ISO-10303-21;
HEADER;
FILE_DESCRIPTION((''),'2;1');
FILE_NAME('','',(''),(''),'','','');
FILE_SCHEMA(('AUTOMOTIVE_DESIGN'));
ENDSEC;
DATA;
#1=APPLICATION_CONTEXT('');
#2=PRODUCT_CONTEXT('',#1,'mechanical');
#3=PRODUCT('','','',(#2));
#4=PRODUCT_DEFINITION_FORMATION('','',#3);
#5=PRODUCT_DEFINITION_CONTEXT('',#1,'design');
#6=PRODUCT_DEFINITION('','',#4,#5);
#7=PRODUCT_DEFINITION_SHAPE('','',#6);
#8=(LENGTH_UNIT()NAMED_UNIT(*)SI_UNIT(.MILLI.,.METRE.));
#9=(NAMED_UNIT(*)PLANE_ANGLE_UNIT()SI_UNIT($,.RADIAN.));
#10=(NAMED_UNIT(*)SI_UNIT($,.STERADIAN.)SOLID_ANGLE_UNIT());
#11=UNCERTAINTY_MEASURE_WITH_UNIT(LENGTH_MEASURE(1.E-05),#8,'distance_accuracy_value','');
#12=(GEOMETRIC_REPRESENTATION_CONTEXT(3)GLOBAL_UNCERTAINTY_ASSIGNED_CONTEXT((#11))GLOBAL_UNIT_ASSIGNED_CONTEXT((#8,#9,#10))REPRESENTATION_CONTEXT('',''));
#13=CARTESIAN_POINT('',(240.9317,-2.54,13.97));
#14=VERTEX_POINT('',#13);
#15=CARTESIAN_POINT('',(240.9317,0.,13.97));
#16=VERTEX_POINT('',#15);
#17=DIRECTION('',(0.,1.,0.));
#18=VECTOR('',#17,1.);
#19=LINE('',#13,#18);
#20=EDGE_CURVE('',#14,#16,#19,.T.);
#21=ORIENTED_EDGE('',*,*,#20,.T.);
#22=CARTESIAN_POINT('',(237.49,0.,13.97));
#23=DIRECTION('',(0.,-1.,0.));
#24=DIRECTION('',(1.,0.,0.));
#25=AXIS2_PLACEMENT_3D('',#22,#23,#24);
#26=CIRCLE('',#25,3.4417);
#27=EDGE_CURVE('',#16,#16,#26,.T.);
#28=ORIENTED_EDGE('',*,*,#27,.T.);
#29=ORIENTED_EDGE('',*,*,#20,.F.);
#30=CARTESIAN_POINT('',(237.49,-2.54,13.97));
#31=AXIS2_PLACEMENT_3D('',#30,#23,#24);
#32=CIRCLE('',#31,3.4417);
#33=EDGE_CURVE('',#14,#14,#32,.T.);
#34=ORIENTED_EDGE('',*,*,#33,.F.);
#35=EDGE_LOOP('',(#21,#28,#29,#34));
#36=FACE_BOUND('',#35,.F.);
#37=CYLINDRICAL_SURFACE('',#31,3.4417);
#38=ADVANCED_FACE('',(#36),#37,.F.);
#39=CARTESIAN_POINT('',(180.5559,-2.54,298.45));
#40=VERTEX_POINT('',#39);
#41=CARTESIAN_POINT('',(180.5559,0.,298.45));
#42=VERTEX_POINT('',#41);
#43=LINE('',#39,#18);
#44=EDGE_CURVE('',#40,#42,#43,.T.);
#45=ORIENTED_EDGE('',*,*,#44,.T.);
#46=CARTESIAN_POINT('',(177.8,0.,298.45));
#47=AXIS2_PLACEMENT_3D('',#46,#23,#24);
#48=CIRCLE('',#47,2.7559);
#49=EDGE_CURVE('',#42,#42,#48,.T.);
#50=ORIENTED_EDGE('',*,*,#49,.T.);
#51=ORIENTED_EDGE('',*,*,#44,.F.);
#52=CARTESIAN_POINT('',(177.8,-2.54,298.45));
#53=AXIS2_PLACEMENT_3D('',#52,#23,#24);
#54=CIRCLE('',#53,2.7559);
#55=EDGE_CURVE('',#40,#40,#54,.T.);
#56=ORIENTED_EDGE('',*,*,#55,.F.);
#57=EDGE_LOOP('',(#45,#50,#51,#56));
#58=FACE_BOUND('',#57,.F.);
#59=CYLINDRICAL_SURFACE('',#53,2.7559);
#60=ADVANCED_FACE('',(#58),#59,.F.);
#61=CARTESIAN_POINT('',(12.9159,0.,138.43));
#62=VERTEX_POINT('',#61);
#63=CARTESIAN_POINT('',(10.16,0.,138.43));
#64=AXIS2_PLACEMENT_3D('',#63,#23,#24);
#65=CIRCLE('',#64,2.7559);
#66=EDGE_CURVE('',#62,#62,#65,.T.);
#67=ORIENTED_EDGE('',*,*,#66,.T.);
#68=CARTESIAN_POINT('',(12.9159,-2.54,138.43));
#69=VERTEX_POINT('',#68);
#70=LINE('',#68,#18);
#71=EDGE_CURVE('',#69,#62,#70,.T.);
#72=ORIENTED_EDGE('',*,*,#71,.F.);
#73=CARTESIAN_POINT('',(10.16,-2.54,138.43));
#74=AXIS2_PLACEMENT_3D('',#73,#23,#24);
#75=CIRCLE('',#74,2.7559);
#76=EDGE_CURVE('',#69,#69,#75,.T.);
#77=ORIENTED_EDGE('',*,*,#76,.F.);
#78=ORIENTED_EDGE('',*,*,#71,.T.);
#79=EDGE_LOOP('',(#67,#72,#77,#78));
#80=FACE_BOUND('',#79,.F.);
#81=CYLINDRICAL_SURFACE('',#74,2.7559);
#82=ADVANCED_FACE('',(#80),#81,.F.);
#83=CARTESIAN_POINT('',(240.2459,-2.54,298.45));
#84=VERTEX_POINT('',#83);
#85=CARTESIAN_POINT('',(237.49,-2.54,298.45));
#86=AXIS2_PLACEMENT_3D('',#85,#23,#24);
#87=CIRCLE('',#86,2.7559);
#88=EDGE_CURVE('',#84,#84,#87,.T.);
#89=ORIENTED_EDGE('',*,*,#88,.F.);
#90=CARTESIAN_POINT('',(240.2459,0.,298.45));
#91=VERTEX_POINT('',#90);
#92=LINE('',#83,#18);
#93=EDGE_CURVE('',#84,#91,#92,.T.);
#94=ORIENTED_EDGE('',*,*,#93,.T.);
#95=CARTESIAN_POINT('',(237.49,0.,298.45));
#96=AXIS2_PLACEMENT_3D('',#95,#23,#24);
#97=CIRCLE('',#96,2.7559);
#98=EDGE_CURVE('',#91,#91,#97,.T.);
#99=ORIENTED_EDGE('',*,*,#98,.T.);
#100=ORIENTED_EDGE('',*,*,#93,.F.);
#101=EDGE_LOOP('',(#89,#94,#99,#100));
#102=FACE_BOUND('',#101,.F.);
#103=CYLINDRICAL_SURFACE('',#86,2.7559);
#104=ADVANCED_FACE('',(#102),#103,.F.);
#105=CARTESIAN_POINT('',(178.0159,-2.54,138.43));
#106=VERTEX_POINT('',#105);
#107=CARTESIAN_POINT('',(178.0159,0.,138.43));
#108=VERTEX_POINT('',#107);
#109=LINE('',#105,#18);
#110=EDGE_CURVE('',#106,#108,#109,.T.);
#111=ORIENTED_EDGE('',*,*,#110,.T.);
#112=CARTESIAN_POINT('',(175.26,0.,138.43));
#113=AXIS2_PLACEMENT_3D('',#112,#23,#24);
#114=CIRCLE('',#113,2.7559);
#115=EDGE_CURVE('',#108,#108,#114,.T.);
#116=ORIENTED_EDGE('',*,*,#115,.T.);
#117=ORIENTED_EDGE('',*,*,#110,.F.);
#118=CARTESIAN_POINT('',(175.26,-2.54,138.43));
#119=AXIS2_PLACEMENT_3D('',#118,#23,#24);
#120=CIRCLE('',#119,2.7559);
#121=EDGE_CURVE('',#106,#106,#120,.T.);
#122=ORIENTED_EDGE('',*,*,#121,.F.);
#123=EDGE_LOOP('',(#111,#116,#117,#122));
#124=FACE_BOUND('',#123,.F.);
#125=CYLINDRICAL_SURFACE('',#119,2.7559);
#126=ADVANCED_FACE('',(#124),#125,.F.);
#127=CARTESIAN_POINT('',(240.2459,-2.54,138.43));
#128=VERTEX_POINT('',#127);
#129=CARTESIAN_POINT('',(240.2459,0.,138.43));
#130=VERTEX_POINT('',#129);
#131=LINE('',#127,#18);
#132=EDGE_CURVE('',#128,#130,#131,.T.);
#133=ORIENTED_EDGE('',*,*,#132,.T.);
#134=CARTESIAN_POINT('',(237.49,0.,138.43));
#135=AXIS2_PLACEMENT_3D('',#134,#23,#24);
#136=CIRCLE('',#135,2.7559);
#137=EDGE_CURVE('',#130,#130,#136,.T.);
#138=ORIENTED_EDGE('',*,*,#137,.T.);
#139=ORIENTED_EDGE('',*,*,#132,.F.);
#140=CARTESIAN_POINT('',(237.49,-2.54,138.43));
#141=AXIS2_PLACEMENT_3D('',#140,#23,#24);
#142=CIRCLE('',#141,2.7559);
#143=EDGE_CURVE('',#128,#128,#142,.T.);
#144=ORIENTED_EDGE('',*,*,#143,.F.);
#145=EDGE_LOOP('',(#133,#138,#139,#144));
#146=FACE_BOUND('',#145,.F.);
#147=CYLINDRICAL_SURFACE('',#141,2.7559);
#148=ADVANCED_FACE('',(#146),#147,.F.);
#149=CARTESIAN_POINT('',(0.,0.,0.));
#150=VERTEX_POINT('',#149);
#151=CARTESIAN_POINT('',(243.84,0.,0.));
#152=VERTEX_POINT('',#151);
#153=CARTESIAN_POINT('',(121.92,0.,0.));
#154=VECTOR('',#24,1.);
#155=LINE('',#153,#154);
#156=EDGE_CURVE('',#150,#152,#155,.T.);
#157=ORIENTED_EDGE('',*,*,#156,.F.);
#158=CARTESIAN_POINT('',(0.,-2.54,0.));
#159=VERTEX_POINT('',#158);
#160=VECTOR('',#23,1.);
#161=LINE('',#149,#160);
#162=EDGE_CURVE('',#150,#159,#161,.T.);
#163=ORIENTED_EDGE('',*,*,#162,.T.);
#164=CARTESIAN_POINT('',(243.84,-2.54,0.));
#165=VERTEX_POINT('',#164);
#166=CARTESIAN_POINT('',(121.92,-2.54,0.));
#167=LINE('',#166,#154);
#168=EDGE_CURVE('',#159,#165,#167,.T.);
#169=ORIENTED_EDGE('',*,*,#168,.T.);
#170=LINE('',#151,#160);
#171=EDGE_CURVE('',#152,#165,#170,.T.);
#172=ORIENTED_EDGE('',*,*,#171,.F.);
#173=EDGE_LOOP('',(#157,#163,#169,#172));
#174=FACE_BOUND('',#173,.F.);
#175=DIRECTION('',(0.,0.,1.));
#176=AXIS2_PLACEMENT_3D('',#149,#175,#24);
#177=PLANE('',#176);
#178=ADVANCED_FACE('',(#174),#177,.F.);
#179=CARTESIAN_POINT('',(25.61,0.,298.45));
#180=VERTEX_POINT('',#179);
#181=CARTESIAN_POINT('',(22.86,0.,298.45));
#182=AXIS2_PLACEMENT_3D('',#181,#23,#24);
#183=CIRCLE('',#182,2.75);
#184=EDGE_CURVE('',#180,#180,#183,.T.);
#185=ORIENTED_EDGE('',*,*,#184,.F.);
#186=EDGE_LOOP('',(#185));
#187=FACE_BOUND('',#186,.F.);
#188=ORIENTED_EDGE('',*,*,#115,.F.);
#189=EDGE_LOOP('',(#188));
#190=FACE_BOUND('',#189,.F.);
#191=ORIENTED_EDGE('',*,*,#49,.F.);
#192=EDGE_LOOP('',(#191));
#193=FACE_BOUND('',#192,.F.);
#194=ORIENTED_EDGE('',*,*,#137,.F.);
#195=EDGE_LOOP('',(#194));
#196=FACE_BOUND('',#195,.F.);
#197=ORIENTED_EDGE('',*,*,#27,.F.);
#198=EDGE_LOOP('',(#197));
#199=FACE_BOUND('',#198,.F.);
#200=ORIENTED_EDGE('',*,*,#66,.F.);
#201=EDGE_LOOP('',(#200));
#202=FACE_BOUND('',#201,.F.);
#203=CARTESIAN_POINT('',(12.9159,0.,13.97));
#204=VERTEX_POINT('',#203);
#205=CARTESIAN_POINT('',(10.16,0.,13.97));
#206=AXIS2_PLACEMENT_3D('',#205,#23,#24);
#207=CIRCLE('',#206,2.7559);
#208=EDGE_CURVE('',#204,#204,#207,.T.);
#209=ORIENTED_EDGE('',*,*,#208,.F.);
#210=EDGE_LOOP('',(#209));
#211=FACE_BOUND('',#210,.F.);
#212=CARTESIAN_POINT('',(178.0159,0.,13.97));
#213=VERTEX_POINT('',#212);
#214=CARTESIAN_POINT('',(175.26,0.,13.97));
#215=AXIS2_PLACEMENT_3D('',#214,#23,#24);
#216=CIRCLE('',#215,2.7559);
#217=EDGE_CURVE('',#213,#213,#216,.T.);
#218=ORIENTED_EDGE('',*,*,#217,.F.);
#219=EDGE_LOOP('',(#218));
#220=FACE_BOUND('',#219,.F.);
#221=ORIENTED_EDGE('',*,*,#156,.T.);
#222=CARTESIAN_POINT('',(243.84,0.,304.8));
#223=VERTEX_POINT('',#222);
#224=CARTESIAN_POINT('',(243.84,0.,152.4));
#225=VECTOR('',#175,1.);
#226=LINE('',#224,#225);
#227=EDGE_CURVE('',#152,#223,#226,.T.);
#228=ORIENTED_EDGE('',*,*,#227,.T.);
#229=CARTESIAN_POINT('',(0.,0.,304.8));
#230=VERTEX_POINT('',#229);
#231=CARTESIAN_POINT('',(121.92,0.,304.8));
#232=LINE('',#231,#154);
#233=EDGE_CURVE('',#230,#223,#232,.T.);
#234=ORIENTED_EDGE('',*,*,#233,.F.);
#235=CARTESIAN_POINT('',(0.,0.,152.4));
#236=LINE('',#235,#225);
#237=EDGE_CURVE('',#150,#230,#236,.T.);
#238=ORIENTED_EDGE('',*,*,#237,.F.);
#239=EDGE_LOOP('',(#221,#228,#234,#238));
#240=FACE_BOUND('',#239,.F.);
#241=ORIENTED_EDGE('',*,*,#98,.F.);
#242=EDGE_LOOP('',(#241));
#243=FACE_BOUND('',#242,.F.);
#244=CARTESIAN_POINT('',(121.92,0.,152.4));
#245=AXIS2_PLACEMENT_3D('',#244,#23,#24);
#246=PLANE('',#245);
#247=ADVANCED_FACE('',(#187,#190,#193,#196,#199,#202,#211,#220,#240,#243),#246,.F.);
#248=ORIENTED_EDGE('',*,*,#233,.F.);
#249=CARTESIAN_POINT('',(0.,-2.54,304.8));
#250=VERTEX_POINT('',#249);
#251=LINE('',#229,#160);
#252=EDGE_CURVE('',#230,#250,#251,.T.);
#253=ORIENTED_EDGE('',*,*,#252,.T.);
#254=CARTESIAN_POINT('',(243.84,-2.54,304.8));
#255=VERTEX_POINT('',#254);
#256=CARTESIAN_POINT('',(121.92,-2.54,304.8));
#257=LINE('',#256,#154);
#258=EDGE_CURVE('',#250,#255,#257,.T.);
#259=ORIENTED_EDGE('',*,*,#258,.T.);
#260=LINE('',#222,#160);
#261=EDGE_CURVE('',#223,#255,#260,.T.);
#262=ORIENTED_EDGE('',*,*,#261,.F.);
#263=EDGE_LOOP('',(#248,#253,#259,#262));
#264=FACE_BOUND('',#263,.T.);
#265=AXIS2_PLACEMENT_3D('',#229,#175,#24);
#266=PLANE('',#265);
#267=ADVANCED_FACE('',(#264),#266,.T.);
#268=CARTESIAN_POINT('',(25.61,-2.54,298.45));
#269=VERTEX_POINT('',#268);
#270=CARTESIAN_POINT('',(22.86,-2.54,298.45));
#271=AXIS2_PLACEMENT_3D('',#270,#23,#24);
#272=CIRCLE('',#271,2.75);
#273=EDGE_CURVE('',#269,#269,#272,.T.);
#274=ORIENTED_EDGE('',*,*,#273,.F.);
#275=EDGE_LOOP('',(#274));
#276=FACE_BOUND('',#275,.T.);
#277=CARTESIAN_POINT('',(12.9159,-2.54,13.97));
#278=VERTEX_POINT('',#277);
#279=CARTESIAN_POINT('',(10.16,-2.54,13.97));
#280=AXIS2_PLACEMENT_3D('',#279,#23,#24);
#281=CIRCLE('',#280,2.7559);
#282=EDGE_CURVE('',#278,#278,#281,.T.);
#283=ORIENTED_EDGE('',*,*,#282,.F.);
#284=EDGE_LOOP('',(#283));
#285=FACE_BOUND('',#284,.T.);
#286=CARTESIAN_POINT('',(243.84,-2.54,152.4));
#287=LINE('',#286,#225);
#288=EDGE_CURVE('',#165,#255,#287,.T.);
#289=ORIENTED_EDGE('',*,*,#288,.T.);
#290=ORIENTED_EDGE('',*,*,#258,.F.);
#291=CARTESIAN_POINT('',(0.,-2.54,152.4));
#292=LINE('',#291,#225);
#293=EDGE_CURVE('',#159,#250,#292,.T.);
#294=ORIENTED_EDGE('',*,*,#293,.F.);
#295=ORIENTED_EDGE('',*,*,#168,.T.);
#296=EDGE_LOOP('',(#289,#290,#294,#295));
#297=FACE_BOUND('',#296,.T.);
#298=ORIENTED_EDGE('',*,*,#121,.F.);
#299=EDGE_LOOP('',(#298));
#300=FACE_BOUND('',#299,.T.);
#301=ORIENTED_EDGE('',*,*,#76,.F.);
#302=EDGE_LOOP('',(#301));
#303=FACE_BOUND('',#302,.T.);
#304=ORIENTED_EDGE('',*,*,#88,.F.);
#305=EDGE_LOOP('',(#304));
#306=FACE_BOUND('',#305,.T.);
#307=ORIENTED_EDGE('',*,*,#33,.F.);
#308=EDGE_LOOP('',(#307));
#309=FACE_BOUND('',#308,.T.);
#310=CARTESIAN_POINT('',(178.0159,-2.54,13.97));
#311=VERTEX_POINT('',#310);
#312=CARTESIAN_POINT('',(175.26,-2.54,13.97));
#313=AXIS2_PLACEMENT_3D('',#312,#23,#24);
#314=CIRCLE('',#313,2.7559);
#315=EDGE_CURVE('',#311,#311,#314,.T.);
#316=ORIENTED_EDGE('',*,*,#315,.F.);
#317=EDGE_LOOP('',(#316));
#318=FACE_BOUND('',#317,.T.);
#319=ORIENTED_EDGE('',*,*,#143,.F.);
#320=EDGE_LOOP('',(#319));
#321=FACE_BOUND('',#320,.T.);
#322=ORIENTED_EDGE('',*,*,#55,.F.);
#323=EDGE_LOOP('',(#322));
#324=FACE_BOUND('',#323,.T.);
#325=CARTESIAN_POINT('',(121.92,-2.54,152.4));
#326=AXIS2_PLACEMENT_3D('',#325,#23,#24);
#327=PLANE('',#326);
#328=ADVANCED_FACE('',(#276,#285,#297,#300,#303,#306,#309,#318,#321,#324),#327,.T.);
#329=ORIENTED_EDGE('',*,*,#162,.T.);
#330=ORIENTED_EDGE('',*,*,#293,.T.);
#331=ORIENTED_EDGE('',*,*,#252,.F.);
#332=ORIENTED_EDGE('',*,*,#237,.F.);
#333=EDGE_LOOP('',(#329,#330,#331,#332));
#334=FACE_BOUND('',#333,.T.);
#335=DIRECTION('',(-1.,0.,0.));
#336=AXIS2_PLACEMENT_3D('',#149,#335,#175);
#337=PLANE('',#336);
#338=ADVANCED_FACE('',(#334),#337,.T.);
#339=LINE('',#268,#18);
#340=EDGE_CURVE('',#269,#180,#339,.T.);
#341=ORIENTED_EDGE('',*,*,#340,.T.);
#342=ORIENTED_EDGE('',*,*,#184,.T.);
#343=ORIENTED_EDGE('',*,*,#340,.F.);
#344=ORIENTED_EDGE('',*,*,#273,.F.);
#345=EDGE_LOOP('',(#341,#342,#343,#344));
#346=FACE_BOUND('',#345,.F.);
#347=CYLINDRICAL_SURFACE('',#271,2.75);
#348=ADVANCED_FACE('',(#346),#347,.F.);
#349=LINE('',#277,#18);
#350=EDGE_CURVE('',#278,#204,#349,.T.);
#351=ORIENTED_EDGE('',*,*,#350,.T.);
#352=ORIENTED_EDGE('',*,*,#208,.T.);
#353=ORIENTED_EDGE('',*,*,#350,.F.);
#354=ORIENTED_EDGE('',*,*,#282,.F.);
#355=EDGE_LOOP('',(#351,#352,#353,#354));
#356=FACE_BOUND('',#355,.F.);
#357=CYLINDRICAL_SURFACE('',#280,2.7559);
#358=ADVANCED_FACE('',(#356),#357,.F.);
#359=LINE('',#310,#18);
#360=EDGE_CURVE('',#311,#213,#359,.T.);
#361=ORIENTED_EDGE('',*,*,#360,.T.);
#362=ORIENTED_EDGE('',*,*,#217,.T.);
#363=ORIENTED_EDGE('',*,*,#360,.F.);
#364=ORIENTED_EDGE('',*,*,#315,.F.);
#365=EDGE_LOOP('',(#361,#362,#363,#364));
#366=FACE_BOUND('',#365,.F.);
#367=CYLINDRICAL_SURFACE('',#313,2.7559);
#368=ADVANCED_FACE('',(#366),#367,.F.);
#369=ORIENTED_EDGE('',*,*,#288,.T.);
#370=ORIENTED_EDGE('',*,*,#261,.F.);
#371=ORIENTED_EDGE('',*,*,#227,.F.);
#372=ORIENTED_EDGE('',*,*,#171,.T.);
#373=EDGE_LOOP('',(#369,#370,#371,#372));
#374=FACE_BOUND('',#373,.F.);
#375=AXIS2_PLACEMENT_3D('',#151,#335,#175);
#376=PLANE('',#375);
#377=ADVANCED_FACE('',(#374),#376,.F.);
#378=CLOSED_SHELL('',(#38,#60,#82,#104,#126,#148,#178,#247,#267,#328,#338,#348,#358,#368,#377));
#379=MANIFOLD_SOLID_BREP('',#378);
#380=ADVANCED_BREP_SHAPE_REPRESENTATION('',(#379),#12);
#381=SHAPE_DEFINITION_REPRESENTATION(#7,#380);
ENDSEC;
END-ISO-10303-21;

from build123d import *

# Parameters (mm, degrees)
F0_W     = 243.84
F0_H     = 304.8
F1_DEPTH = 2.54
F2_R     = 2.75
F2_R_2   = 2.7559
F2_R_3   = 3.4417
F3_DEPTH = 111.506


with BuildPart() as f1:
    # F0 (on Front) → F1 (new body)
    with BuildSketch(Plane.XZ):
        with Locations((121.92, 152.4)):
            Rectangle(F0_W, F0_H)
    extrude(amount=F1_DEPTH)

    # F2 (on face) → F3 (cut)
    with BuildSketch(Plane.XZ.offset(2.54)):
        with Locations((22.86, 298.45)):
            Circle(F2_R)
        with Locations((177.8, 298.45)):
            Circle(F2_R_2)
        with Locations((237.49, 298.45)):
            Circle(F2_R_2)
        with Locations((237.49, 138.43)):
            Circle(F2_R_2)
        with Locations((175.26, 138.43)):
            Circle(F2_R_2)
        with Locations((10.16, 138.43)):
            Circle(F2_R_2)
        with Locations((10.16, 13.97)):
            Circle(F2_R_2)
        with Locations((175.26, 13.97)):
            Circle(F2_R_2)
        with Locations((237.49, 13.97)):
            Circle(F2_R_3)
    extrude(amount=-F3_DEPTH, mode=Mode.SUBTRACT)


solid = f1.part
